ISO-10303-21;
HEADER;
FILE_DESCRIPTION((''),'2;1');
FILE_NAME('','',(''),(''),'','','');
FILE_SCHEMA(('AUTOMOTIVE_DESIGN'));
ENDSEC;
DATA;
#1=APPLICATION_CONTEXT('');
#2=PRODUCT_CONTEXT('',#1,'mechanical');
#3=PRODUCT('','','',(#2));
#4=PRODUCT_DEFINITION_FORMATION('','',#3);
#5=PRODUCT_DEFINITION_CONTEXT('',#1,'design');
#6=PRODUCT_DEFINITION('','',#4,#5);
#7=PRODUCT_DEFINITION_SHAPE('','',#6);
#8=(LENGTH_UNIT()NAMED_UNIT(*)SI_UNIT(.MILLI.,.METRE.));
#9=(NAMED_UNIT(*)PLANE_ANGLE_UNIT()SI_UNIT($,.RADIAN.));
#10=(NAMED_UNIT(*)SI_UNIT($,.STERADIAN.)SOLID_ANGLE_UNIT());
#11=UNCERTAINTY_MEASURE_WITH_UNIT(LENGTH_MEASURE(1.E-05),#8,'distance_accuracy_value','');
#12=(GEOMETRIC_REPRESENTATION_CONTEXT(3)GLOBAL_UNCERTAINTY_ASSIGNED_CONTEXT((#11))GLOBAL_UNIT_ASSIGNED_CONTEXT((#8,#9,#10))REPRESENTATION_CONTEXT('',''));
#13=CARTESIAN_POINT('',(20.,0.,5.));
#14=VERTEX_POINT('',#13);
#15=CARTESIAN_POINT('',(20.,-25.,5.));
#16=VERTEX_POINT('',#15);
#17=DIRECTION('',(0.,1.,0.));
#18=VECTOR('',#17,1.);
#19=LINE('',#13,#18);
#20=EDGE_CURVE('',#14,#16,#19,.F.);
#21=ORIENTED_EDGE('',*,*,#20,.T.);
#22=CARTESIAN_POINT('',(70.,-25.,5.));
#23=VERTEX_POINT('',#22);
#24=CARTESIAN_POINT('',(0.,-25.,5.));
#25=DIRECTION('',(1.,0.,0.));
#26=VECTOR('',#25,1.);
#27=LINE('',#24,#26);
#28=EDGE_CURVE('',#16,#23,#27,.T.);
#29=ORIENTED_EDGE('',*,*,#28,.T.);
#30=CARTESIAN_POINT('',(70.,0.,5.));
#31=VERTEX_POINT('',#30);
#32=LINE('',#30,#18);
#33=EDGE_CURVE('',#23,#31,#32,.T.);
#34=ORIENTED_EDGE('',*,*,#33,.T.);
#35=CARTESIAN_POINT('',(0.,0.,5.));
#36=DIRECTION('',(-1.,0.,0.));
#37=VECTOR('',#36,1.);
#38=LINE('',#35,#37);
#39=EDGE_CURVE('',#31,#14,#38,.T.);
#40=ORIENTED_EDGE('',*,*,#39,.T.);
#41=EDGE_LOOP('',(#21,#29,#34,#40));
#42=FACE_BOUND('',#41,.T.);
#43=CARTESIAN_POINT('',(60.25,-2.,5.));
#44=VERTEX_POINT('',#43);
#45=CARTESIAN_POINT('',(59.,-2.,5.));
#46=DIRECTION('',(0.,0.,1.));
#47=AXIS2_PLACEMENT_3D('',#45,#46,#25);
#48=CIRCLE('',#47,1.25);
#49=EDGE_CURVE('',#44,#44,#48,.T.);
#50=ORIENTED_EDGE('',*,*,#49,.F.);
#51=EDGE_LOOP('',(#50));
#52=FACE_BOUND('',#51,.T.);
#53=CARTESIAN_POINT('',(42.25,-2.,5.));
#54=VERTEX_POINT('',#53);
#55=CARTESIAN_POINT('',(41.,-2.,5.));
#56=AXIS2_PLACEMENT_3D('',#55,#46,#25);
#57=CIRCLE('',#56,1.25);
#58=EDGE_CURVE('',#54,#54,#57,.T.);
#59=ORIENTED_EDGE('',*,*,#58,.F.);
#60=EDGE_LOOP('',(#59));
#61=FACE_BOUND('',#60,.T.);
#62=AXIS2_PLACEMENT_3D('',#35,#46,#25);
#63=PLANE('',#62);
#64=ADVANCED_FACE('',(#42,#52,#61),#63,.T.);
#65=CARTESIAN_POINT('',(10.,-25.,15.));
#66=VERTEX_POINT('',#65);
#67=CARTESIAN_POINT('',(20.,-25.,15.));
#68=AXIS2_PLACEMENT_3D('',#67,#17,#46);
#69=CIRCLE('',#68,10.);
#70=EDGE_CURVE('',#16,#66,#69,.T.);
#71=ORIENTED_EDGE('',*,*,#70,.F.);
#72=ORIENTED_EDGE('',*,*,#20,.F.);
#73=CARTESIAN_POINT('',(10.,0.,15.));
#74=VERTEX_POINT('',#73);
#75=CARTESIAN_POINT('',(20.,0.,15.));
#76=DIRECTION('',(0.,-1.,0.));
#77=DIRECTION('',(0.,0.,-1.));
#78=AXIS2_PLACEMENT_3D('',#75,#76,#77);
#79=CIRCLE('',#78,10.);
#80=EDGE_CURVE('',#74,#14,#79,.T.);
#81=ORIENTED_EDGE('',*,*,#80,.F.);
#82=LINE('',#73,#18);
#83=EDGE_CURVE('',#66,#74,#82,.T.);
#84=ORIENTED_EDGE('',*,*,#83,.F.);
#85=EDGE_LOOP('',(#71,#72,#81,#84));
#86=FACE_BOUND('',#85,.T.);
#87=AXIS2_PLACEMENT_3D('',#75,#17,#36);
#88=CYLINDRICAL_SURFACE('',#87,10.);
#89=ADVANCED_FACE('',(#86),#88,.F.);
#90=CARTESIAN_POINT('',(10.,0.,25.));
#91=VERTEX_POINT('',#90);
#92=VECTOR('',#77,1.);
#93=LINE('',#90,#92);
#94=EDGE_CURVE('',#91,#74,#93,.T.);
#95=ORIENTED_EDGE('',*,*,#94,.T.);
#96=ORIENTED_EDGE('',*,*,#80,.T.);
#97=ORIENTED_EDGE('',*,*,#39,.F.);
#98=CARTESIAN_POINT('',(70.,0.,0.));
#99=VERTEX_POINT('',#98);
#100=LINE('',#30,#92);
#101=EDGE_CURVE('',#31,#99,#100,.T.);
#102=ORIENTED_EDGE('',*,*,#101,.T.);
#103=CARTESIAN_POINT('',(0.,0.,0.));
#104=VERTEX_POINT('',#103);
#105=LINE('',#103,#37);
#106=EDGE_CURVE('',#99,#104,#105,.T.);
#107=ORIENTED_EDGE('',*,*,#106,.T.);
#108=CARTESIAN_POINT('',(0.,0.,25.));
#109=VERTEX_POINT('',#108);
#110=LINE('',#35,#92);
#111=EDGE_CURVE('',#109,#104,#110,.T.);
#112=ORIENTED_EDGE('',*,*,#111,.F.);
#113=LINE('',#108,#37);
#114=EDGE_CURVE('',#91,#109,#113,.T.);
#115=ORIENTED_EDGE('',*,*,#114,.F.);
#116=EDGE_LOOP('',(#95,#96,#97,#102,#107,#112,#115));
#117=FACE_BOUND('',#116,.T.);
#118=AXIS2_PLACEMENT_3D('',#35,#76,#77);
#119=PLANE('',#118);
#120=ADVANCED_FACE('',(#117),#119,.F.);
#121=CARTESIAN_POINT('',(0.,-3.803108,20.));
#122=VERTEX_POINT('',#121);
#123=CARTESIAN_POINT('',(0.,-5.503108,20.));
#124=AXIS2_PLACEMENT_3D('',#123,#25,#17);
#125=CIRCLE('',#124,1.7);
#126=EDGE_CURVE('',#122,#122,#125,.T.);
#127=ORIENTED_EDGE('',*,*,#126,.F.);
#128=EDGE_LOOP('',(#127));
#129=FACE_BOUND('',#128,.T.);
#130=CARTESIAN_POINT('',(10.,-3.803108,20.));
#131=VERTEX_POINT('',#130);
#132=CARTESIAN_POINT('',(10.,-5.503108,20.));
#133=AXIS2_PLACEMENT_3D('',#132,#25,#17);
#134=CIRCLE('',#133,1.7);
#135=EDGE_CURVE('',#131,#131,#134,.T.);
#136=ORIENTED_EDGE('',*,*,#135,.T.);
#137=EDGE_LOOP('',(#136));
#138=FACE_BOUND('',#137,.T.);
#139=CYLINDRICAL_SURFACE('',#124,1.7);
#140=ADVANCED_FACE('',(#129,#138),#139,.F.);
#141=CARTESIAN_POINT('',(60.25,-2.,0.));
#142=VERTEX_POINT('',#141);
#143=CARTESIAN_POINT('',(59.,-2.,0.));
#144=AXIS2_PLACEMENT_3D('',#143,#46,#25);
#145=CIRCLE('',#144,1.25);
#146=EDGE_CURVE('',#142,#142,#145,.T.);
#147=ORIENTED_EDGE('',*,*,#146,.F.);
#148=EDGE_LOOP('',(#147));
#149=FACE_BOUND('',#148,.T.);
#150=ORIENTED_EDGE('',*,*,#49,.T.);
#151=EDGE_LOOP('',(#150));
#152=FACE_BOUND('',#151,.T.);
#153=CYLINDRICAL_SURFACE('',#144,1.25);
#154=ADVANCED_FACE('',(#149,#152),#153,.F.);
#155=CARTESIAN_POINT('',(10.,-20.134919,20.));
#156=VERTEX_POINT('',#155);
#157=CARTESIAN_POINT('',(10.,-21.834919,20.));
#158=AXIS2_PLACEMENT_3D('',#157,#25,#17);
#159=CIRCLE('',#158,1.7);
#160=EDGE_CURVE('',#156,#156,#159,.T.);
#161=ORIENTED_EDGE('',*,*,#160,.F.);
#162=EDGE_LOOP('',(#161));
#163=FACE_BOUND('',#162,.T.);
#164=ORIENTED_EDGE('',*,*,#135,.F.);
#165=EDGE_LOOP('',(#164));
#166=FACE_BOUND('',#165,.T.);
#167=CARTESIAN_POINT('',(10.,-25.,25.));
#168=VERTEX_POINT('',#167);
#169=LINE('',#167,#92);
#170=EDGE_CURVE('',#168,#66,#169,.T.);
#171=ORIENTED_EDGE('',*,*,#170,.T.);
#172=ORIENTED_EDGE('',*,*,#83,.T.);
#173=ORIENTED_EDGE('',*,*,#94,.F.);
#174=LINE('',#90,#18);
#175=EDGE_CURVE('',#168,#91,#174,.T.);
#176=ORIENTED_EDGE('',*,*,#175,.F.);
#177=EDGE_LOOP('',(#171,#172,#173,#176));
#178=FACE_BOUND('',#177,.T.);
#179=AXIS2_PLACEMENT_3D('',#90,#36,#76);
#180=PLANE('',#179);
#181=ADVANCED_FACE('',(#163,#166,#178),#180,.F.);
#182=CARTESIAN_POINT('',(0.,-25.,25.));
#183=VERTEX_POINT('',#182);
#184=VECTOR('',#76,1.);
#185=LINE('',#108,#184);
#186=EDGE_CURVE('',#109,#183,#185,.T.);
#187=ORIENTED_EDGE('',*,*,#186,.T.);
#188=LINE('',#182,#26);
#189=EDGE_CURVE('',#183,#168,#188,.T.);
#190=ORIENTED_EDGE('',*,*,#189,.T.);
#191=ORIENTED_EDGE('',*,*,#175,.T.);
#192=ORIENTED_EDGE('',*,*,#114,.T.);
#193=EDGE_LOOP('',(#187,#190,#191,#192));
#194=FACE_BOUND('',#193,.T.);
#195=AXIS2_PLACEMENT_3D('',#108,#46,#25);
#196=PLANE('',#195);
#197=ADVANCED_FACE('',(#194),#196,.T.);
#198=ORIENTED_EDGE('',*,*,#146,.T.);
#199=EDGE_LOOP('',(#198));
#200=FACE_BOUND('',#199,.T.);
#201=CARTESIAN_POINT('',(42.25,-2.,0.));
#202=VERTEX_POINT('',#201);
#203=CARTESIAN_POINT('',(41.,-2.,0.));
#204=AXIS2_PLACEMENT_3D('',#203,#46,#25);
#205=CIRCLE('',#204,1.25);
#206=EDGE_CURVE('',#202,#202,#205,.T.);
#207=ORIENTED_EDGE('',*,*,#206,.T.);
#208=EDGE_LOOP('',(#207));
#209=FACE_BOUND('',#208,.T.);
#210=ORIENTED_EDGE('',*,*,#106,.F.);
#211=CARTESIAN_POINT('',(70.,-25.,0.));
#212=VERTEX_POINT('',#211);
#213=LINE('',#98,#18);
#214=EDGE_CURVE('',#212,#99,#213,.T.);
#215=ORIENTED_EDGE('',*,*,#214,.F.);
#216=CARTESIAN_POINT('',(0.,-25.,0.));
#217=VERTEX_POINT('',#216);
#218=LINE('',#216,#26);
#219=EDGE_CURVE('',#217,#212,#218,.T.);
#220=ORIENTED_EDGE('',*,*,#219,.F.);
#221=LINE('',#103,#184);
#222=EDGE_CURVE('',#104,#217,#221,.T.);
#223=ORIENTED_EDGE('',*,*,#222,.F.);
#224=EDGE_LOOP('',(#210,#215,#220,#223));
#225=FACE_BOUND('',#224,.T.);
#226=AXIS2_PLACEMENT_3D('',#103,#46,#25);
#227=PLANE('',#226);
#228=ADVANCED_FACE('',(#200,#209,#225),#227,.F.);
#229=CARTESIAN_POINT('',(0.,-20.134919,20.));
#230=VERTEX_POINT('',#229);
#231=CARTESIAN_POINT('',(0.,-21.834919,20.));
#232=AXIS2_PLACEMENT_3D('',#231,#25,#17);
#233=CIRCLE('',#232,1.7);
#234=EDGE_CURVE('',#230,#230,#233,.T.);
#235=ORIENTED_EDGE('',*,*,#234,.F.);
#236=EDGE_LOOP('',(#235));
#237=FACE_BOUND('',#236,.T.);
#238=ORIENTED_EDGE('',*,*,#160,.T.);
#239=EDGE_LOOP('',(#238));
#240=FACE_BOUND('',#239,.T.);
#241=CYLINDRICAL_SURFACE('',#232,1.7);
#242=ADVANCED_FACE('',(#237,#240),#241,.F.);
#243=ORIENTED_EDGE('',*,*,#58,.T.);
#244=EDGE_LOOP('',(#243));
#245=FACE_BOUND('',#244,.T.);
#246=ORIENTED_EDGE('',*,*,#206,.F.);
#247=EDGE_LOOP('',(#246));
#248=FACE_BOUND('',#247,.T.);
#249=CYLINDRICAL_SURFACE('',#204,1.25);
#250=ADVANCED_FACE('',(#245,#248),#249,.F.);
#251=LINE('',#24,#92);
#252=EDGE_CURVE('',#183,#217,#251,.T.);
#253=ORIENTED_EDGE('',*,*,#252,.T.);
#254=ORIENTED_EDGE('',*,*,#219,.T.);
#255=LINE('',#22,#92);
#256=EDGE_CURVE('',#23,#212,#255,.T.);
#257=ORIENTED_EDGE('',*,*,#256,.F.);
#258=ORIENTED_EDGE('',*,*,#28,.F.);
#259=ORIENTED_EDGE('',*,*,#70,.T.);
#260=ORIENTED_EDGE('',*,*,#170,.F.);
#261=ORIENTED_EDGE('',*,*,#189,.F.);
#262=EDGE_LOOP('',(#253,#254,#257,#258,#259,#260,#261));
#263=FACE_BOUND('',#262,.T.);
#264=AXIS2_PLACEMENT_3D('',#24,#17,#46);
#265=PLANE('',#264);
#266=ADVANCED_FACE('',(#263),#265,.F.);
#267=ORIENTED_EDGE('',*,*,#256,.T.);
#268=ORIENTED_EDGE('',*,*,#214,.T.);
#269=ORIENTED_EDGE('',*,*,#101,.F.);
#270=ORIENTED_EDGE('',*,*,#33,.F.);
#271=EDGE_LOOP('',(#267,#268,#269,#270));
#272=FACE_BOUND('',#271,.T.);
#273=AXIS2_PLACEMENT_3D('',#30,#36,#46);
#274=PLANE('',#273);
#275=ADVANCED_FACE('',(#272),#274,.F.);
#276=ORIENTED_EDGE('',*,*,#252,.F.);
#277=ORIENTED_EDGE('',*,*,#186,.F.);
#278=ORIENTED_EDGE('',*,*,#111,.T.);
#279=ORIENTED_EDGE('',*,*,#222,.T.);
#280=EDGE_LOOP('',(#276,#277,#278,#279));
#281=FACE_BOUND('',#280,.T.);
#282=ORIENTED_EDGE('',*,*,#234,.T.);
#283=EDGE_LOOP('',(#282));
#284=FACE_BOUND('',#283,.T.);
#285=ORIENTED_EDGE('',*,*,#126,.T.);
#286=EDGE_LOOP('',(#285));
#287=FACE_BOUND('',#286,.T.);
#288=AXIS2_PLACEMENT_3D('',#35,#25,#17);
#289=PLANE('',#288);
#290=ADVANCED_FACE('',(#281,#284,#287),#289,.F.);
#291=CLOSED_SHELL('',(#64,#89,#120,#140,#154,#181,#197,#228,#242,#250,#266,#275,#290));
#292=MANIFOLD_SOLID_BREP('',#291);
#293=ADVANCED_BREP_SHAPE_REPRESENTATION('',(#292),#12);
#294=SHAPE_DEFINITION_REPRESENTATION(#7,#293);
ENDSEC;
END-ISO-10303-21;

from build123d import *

# Parameters (mm, degrees)
SKETCH1_W           = 70
SKETCH1_H           = 25
BOSS_EXTRUDE1_DEPTH = 5
SKETCH2_R           = 1.25
CUT_EXTRUDE2_DEPTH  = 6
SKETCH5_W           = 10
SKETCH5_H           = 25
BOSS_EXTRUDE3_DEPTH = 20
FILLET1_R           = 10
SKETCH6_R           = 1.7
CUT_EXTRUDE3_DEPTH  = 11


with BuildPart() as part:
    # Sketch1 → Boss-Extrude1 (new body)
    with BuildSketch(Plane.XY):
        with Locations((35, -12.5)):
            Rectangle(SKETCH1_W, SKETCH1_H)
    extrude(amount=BOSS_EXTRUDE1_DEPTH)

    # Sketch2 → Cut-Extrude2 (cut, through all)
    with BuildSketch(Plane.XY.offset(5)):
        with Locations((41, -2)):
            Circle(SKETCH2_R)
        with Locations((59, -2)):
            Circle(SKETCH2_R)
    extrude(amount=-CUT_EXTRUDE2_DEPTH, mode=Mode.SUBTRACT)

    # Sketch5 → Boss-Extrude3 (add)
    with BuildSketch(Plane.XY.offset(5)):
        with Locations((5, -12.5)):
            Rectangle(SKETCH5_W, SKETCH5_H)
    extrude(amount=BOSS_EXTRUDE3_DEPTH)

    # Fillet1
    fillet1_edges = [part.edges().sort_by_distance(p)[0] for p in [
        (10, -12.5, 5),
    ]]
    fillet(fillet1_edges, radius=FILLET1_R)

    # Sketch6 → Cut-Extrude3 (cut, through all)
    with BuildSketch(Plane(origin=(10, 0, 0), x_dir=(0, 0, -1), z_dir=(1, 0, 0))):
        with Locations((-20, -21.834919238)):
            Circle(SKETCH6_R)
        with Locations((-20, -5.503108416)):
            Circle(SKETCH6_R)
    extrude(amount=-CUT_EXTRUDE3_DEPTH, mode=Mode.SUBTRACT)


solid = part.part
